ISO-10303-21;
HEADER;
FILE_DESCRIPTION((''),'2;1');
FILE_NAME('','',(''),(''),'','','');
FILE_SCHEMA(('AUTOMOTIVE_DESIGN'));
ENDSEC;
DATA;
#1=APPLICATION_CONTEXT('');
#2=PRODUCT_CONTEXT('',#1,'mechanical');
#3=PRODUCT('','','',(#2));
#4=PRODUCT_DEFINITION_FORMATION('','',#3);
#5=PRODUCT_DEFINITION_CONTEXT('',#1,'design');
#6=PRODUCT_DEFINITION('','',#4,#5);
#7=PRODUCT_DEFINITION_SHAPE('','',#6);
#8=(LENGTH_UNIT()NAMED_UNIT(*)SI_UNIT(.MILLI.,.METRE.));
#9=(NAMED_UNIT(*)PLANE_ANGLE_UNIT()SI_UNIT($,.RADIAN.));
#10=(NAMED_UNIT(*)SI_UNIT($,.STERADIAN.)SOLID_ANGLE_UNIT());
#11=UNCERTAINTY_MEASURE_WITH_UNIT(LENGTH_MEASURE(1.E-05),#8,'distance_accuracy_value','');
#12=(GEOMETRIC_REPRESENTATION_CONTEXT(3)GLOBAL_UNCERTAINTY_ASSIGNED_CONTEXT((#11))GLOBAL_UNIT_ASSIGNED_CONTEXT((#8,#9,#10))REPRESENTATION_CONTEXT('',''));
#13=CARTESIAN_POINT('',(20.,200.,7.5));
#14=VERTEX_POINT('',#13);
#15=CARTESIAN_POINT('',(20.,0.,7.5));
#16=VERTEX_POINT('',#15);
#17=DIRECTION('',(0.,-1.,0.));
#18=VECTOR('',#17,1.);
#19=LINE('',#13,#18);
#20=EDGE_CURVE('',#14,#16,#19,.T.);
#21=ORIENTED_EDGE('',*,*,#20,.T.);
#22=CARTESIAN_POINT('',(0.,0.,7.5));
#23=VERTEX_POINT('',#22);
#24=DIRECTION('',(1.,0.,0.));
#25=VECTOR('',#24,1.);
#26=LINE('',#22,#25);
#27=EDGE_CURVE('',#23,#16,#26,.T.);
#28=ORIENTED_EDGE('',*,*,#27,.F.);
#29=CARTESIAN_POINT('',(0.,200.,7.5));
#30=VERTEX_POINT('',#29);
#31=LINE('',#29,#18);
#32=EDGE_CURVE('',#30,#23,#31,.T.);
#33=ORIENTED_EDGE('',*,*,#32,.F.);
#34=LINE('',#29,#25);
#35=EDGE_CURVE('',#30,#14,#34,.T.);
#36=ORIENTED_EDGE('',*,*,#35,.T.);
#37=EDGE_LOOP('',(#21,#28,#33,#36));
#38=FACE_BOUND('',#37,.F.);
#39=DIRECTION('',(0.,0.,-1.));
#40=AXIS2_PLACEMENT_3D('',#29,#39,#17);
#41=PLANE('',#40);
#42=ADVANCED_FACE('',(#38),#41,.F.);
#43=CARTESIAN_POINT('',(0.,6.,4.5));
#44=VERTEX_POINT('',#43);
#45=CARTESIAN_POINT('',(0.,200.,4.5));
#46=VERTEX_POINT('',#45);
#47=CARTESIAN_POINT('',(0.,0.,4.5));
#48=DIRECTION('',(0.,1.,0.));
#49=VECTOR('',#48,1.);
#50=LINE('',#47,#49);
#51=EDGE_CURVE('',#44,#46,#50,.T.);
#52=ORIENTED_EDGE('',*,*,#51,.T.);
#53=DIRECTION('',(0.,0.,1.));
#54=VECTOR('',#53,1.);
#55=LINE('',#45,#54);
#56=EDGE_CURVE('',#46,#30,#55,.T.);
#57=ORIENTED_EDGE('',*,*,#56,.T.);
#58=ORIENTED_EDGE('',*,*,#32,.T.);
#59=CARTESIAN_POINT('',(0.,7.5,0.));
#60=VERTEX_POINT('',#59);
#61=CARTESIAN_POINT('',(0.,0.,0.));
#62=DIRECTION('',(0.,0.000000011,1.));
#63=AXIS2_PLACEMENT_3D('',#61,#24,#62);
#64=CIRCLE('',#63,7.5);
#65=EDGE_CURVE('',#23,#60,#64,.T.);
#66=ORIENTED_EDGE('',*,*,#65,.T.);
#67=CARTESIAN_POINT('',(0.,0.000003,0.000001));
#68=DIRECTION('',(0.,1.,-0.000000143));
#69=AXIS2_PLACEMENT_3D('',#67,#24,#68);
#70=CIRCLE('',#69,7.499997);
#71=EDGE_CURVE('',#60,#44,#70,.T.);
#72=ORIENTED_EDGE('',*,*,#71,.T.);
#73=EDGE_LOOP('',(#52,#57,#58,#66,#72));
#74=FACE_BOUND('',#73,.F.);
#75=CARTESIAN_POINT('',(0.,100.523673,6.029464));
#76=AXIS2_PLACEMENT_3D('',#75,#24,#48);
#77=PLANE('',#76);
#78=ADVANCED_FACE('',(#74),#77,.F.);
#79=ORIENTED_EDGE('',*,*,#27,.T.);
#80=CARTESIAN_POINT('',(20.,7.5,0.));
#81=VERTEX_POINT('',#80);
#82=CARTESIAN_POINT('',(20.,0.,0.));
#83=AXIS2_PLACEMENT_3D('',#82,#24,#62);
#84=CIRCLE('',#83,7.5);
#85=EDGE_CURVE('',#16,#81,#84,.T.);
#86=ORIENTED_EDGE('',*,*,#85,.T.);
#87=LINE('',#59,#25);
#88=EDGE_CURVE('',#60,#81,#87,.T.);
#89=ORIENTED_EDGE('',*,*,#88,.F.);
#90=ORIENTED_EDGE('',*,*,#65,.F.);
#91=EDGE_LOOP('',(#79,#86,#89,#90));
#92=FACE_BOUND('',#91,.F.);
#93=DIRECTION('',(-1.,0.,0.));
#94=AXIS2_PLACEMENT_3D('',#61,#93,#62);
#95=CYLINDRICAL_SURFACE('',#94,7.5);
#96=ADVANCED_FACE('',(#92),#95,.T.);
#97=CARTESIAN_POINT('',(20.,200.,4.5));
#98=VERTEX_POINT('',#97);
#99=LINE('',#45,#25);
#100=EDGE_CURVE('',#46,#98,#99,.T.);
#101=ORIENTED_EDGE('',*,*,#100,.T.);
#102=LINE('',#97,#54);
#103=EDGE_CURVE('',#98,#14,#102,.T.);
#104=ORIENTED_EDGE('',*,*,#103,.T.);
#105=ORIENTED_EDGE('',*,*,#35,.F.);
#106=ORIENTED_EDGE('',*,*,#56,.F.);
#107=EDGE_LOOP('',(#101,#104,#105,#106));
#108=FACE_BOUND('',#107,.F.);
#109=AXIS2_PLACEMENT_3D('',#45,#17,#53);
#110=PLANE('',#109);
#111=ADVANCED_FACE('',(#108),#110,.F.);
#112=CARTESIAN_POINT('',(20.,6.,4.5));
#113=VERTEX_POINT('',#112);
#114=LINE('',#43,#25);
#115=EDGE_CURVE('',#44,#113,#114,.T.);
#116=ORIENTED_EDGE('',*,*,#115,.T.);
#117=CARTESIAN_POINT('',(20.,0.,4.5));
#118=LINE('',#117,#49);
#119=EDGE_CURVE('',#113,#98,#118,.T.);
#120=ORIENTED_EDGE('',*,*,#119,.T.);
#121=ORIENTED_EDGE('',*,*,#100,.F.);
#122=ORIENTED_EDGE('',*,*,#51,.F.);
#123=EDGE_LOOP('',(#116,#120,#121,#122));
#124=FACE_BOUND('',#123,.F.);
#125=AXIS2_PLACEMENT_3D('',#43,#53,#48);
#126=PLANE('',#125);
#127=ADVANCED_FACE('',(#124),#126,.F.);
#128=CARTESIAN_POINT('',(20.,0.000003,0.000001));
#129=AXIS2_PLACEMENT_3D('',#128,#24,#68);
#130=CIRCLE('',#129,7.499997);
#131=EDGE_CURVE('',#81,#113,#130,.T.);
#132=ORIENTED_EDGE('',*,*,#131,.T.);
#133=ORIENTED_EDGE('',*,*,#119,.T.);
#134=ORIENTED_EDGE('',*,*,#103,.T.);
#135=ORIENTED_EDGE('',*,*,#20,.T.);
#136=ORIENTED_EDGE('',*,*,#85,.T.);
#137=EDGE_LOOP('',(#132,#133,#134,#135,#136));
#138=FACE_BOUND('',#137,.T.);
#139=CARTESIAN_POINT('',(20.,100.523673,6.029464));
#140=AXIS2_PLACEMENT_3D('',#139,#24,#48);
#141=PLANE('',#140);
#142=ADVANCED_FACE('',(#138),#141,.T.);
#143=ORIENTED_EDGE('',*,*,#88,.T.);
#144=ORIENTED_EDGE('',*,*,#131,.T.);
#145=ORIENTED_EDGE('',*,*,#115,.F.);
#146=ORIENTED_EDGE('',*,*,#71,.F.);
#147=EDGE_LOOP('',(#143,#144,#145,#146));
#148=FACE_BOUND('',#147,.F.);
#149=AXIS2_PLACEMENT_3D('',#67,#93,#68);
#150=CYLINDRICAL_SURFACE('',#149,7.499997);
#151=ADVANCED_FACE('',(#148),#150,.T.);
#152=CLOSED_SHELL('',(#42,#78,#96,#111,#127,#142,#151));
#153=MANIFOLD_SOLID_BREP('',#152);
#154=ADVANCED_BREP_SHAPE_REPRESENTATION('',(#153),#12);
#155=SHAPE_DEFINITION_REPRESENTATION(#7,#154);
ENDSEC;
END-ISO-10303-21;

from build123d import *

# Parameters (mm, degrees)
F1_DEPTH = 20


with BuildPart() as f1:
    # F0 (on Right) → F1 (new body)
    with BuildSketch(Plane.YZ):
        with BuildLine():
            Line((200, 7.5), (0, 7.5))
            ThreePointArc((0, 7.5), (3.354102, 6.708204), (6, 4.5))
            Line((6, 4.5), (200, 4.5))
            Line((200, 4.5), (200, 7.5))
        make_face()
        with BuildLine():
            ThreePointArc((6, 4.5), (3.354102, 6.708204), (0, 7.5))
            Line((0, 7.5), (0, 4.5))
            Line((0, 4.5), (6, 4.5))
        make_face()
        with BuildLine():
            Line((0, 4.5), (0, 7.5))
            ThreePointArc((0, 7.5), (-5.303301, -5.303301), (7.5, 0))
            ThreePointArc((7.5, 0), (7.115125, 2.371708), (6, 4.5))
            Line((6, 4.5), (0, 4.5))
        make_face()
    extrude(amount=F1_DEPTH)


solid = f1.part
